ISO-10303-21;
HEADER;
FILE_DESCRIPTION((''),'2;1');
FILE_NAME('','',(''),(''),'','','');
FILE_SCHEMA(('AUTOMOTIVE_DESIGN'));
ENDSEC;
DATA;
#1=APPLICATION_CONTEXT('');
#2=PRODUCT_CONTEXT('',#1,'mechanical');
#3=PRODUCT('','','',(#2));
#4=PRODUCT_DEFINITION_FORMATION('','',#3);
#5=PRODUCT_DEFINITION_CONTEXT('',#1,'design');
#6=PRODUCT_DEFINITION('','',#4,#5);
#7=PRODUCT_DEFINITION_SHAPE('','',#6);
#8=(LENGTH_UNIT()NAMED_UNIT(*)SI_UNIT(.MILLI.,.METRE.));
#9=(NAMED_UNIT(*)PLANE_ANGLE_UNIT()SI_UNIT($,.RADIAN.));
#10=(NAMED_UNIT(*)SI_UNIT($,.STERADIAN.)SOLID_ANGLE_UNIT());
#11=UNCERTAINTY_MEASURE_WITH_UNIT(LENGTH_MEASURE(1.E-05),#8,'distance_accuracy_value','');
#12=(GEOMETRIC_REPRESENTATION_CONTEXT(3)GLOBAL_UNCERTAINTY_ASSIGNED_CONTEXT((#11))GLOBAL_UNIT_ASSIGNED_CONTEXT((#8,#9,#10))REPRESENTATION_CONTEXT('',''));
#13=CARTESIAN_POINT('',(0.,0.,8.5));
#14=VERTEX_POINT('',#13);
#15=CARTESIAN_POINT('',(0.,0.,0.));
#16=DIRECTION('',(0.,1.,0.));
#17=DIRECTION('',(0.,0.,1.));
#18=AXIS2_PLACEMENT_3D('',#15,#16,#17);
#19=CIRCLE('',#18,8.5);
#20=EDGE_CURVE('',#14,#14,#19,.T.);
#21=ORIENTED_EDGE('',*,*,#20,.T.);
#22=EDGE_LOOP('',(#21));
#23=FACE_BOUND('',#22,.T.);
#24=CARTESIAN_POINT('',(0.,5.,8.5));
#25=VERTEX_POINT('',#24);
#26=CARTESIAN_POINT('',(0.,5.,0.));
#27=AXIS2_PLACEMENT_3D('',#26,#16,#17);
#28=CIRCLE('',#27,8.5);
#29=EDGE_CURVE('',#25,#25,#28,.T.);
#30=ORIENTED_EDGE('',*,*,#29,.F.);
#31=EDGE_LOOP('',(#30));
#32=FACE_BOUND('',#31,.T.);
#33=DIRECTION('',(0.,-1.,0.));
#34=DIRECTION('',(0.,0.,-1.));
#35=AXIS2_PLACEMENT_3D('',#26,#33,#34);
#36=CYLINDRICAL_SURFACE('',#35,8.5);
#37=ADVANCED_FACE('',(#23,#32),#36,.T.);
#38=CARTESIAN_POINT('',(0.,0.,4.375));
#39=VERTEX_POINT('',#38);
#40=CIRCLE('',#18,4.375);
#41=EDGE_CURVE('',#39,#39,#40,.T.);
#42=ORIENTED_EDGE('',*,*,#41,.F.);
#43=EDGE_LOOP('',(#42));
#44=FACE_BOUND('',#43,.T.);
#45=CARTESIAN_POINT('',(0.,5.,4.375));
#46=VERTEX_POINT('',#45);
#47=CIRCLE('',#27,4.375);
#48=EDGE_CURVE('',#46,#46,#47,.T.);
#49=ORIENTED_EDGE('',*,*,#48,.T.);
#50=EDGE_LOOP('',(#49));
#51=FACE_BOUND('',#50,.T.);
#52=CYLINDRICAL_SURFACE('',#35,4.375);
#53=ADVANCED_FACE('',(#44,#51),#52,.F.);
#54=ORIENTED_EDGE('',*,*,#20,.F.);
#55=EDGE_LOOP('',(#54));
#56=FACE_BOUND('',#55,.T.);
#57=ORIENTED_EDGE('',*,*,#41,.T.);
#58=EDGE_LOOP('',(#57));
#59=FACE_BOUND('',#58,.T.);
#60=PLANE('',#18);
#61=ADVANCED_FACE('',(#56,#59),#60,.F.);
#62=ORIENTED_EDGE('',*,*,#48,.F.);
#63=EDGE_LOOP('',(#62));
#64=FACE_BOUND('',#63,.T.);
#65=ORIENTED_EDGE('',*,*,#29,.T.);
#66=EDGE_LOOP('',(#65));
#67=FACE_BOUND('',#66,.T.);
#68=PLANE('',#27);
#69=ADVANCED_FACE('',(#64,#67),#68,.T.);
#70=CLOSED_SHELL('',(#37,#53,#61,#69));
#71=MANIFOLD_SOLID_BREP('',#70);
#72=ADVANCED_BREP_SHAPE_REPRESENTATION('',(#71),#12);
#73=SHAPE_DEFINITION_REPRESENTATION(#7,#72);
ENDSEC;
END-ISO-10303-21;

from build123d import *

# Parameters (mm, degrees)
SKETCH1_R           = 8.5
SKETCH1_R_2         = 4.375
BOSS_EXTRUDE1_DEPTH = 5


with BuildPart() as part:
    # Sketch1 → Boss-Extrude1 (new body)
    with BuildSketch(Plane(origin=(0, 0, 0), x_dir=(1, 0, 0), z_dir=(0, 1, 0))):
        with Locations(Location((0, 0, 0), (0, 0, 270))):
            Circle(SKETCH1_R)
        with Locations(Location((0, 0, 0), (0, 0, 270))):
            Circle(SKETCH1_R_2, mode=Mode.SUBTRACT)
    extrude(amount=BOSS_EXTRUDE1_DEPTH)


solid = part.part
